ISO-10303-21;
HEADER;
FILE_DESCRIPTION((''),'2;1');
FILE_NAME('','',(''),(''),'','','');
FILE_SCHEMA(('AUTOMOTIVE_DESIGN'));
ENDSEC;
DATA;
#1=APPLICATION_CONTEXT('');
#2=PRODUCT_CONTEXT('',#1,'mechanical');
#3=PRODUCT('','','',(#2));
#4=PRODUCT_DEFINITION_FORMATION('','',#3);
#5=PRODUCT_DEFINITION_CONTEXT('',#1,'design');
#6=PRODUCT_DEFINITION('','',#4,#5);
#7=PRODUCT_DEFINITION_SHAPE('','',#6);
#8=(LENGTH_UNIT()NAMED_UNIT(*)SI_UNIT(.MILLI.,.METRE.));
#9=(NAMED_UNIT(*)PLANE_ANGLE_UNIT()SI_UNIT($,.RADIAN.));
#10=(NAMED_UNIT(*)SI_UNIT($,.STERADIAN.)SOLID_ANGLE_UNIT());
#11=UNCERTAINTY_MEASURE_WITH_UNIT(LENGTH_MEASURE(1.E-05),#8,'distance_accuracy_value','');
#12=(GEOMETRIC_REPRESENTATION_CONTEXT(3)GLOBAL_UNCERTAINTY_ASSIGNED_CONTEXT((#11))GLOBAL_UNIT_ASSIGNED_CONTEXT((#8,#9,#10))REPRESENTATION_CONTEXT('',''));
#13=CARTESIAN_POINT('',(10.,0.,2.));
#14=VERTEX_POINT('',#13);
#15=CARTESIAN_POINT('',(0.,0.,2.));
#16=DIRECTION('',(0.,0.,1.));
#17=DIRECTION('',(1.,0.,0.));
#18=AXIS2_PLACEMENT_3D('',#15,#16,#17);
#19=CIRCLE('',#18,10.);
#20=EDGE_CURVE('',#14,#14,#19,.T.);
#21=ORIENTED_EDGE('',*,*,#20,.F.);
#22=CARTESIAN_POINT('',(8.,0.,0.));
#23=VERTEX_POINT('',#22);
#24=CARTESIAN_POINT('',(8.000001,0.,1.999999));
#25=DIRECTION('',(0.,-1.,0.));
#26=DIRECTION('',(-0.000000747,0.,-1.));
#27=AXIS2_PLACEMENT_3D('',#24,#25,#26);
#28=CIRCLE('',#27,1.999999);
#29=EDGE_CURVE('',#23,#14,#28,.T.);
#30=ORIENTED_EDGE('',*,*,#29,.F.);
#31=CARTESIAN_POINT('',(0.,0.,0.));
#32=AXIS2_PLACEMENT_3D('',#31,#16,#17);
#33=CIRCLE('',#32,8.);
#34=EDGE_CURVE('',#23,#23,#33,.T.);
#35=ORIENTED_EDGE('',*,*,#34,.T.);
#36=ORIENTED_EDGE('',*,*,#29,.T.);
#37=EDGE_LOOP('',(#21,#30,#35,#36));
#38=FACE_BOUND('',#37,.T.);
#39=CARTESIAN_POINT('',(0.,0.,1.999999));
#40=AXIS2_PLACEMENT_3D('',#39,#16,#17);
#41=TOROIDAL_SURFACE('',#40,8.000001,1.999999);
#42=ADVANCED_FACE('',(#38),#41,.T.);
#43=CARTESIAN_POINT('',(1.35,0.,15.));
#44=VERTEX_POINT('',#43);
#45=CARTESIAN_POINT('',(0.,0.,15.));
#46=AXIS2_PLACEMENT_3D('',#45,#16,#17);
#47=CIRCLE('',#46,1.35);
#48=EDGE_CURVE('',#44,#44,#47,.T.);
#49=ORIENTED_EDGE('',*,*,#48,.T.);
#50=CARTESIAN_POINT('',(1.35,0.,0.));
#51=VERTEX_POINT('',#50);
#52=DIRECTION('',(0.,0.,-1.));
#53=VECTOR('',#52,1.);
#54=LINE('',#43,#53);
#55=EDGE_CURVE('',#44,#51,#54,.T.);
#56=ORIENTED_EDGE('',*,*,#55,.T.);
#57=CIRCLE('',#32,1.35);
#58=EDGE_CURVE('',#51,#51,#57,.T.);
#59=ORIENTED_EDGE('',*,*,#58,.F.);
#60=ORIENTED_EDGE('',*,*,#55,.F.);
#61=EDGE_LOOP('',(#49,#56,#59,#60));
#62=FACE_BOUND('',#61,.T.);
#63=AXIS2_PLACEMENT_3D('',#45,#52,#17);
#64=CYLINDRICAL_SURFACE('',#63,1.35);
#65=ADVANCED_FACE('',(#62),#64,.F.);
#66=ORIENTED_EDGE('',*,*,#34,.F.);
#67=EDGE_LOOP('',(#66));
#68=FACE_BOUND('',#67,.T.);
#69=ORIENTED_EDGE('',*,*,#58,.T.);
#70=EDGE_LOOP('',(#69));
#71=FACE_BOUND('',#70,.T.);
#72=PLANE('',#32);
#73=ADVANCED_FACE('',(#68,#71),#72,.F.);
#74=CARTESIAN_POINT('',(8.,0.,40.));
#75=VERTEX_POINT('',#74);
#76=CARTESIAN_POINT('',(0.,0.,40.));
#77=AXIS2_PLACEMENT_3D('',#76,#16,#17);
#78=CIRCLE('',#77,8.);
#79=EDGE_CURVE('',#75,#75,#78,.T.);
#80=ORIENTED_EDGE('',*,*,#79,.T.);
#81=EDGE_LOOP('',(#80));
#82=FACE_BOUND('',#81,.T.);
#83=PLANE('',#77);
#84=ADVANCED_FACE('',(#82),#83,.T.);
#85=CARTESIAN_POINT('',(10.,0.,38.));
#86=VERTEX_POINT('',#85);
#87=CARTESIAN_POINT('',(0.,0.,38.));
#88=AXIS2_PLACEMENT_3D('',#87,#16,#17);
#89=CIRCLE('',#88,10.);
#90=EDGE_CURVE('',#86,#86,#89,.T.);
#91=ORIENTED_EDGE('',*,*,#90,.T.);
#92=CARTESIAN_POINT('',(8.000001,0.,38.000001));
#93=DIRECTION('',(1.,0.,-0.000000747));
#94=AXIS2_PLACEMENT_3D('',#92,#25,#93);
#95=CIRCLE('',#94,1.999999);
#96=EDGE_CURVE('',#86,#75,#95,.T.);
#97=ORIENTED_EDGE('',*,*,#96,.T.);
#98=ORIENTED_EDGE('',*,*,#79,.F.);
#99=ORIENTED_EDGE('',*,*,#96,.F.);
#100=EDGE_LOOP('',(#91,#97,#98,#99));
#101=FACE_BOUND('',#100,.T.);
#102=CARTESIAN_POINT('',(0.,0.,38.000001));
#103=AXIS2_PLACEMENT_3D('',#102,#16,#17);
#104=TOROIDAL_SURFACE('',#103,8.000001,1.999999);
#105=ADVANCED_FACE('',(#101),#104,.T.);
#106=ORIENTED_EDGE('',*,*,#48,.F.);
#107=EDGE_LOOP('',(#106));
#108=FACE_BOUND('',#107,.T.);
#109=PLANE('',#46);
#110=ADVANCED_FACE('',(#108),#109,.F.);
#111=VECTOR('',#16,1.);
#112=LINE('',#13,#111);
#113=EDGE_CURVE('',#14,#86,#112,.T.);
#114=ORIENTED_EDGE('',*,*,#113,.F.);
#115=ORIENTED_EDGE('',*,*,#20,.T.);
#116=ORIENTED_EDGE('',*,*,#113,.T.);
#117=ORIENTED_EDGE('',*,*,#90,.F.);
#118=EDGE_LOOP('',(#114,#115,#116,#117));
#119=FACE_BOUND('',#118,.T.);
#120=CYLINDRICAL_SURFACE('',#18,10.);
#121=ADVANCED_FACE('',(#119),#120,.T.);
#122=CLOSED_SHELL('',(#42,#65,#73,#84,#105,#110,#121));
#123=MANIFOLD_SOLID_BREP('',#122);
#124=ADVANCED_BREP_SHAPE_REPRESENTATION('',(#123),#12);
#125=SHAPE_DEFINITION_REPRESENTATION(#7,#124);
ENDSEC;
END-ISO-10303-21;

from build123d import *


with BuildPart() as f1:
    # F0 (on Front) → F1 (revolve)
    with BuildSketch(Plane.XZ):
        with BuildLine():
            Line((1.35, 15), (1.35, 0))
            Line((1.35, 0), (8, 0))
            ThreePointArc((8, 0), (9.414214, 0.585786), (10, 2))
            Line((10, 2), (10, 38))
            ThreePointArc((10, 38), (9.414214, 39.414214), (8, 40))
            Line((8, 40), (0, 40))
            Line((0, 40), (0, 15))
            Line((0, 15), (1.35, 15))
        make_face()
    revolve(axis=Axis((0, 0, 6.527337), (0, 0, 1)))


solid = f1.part
